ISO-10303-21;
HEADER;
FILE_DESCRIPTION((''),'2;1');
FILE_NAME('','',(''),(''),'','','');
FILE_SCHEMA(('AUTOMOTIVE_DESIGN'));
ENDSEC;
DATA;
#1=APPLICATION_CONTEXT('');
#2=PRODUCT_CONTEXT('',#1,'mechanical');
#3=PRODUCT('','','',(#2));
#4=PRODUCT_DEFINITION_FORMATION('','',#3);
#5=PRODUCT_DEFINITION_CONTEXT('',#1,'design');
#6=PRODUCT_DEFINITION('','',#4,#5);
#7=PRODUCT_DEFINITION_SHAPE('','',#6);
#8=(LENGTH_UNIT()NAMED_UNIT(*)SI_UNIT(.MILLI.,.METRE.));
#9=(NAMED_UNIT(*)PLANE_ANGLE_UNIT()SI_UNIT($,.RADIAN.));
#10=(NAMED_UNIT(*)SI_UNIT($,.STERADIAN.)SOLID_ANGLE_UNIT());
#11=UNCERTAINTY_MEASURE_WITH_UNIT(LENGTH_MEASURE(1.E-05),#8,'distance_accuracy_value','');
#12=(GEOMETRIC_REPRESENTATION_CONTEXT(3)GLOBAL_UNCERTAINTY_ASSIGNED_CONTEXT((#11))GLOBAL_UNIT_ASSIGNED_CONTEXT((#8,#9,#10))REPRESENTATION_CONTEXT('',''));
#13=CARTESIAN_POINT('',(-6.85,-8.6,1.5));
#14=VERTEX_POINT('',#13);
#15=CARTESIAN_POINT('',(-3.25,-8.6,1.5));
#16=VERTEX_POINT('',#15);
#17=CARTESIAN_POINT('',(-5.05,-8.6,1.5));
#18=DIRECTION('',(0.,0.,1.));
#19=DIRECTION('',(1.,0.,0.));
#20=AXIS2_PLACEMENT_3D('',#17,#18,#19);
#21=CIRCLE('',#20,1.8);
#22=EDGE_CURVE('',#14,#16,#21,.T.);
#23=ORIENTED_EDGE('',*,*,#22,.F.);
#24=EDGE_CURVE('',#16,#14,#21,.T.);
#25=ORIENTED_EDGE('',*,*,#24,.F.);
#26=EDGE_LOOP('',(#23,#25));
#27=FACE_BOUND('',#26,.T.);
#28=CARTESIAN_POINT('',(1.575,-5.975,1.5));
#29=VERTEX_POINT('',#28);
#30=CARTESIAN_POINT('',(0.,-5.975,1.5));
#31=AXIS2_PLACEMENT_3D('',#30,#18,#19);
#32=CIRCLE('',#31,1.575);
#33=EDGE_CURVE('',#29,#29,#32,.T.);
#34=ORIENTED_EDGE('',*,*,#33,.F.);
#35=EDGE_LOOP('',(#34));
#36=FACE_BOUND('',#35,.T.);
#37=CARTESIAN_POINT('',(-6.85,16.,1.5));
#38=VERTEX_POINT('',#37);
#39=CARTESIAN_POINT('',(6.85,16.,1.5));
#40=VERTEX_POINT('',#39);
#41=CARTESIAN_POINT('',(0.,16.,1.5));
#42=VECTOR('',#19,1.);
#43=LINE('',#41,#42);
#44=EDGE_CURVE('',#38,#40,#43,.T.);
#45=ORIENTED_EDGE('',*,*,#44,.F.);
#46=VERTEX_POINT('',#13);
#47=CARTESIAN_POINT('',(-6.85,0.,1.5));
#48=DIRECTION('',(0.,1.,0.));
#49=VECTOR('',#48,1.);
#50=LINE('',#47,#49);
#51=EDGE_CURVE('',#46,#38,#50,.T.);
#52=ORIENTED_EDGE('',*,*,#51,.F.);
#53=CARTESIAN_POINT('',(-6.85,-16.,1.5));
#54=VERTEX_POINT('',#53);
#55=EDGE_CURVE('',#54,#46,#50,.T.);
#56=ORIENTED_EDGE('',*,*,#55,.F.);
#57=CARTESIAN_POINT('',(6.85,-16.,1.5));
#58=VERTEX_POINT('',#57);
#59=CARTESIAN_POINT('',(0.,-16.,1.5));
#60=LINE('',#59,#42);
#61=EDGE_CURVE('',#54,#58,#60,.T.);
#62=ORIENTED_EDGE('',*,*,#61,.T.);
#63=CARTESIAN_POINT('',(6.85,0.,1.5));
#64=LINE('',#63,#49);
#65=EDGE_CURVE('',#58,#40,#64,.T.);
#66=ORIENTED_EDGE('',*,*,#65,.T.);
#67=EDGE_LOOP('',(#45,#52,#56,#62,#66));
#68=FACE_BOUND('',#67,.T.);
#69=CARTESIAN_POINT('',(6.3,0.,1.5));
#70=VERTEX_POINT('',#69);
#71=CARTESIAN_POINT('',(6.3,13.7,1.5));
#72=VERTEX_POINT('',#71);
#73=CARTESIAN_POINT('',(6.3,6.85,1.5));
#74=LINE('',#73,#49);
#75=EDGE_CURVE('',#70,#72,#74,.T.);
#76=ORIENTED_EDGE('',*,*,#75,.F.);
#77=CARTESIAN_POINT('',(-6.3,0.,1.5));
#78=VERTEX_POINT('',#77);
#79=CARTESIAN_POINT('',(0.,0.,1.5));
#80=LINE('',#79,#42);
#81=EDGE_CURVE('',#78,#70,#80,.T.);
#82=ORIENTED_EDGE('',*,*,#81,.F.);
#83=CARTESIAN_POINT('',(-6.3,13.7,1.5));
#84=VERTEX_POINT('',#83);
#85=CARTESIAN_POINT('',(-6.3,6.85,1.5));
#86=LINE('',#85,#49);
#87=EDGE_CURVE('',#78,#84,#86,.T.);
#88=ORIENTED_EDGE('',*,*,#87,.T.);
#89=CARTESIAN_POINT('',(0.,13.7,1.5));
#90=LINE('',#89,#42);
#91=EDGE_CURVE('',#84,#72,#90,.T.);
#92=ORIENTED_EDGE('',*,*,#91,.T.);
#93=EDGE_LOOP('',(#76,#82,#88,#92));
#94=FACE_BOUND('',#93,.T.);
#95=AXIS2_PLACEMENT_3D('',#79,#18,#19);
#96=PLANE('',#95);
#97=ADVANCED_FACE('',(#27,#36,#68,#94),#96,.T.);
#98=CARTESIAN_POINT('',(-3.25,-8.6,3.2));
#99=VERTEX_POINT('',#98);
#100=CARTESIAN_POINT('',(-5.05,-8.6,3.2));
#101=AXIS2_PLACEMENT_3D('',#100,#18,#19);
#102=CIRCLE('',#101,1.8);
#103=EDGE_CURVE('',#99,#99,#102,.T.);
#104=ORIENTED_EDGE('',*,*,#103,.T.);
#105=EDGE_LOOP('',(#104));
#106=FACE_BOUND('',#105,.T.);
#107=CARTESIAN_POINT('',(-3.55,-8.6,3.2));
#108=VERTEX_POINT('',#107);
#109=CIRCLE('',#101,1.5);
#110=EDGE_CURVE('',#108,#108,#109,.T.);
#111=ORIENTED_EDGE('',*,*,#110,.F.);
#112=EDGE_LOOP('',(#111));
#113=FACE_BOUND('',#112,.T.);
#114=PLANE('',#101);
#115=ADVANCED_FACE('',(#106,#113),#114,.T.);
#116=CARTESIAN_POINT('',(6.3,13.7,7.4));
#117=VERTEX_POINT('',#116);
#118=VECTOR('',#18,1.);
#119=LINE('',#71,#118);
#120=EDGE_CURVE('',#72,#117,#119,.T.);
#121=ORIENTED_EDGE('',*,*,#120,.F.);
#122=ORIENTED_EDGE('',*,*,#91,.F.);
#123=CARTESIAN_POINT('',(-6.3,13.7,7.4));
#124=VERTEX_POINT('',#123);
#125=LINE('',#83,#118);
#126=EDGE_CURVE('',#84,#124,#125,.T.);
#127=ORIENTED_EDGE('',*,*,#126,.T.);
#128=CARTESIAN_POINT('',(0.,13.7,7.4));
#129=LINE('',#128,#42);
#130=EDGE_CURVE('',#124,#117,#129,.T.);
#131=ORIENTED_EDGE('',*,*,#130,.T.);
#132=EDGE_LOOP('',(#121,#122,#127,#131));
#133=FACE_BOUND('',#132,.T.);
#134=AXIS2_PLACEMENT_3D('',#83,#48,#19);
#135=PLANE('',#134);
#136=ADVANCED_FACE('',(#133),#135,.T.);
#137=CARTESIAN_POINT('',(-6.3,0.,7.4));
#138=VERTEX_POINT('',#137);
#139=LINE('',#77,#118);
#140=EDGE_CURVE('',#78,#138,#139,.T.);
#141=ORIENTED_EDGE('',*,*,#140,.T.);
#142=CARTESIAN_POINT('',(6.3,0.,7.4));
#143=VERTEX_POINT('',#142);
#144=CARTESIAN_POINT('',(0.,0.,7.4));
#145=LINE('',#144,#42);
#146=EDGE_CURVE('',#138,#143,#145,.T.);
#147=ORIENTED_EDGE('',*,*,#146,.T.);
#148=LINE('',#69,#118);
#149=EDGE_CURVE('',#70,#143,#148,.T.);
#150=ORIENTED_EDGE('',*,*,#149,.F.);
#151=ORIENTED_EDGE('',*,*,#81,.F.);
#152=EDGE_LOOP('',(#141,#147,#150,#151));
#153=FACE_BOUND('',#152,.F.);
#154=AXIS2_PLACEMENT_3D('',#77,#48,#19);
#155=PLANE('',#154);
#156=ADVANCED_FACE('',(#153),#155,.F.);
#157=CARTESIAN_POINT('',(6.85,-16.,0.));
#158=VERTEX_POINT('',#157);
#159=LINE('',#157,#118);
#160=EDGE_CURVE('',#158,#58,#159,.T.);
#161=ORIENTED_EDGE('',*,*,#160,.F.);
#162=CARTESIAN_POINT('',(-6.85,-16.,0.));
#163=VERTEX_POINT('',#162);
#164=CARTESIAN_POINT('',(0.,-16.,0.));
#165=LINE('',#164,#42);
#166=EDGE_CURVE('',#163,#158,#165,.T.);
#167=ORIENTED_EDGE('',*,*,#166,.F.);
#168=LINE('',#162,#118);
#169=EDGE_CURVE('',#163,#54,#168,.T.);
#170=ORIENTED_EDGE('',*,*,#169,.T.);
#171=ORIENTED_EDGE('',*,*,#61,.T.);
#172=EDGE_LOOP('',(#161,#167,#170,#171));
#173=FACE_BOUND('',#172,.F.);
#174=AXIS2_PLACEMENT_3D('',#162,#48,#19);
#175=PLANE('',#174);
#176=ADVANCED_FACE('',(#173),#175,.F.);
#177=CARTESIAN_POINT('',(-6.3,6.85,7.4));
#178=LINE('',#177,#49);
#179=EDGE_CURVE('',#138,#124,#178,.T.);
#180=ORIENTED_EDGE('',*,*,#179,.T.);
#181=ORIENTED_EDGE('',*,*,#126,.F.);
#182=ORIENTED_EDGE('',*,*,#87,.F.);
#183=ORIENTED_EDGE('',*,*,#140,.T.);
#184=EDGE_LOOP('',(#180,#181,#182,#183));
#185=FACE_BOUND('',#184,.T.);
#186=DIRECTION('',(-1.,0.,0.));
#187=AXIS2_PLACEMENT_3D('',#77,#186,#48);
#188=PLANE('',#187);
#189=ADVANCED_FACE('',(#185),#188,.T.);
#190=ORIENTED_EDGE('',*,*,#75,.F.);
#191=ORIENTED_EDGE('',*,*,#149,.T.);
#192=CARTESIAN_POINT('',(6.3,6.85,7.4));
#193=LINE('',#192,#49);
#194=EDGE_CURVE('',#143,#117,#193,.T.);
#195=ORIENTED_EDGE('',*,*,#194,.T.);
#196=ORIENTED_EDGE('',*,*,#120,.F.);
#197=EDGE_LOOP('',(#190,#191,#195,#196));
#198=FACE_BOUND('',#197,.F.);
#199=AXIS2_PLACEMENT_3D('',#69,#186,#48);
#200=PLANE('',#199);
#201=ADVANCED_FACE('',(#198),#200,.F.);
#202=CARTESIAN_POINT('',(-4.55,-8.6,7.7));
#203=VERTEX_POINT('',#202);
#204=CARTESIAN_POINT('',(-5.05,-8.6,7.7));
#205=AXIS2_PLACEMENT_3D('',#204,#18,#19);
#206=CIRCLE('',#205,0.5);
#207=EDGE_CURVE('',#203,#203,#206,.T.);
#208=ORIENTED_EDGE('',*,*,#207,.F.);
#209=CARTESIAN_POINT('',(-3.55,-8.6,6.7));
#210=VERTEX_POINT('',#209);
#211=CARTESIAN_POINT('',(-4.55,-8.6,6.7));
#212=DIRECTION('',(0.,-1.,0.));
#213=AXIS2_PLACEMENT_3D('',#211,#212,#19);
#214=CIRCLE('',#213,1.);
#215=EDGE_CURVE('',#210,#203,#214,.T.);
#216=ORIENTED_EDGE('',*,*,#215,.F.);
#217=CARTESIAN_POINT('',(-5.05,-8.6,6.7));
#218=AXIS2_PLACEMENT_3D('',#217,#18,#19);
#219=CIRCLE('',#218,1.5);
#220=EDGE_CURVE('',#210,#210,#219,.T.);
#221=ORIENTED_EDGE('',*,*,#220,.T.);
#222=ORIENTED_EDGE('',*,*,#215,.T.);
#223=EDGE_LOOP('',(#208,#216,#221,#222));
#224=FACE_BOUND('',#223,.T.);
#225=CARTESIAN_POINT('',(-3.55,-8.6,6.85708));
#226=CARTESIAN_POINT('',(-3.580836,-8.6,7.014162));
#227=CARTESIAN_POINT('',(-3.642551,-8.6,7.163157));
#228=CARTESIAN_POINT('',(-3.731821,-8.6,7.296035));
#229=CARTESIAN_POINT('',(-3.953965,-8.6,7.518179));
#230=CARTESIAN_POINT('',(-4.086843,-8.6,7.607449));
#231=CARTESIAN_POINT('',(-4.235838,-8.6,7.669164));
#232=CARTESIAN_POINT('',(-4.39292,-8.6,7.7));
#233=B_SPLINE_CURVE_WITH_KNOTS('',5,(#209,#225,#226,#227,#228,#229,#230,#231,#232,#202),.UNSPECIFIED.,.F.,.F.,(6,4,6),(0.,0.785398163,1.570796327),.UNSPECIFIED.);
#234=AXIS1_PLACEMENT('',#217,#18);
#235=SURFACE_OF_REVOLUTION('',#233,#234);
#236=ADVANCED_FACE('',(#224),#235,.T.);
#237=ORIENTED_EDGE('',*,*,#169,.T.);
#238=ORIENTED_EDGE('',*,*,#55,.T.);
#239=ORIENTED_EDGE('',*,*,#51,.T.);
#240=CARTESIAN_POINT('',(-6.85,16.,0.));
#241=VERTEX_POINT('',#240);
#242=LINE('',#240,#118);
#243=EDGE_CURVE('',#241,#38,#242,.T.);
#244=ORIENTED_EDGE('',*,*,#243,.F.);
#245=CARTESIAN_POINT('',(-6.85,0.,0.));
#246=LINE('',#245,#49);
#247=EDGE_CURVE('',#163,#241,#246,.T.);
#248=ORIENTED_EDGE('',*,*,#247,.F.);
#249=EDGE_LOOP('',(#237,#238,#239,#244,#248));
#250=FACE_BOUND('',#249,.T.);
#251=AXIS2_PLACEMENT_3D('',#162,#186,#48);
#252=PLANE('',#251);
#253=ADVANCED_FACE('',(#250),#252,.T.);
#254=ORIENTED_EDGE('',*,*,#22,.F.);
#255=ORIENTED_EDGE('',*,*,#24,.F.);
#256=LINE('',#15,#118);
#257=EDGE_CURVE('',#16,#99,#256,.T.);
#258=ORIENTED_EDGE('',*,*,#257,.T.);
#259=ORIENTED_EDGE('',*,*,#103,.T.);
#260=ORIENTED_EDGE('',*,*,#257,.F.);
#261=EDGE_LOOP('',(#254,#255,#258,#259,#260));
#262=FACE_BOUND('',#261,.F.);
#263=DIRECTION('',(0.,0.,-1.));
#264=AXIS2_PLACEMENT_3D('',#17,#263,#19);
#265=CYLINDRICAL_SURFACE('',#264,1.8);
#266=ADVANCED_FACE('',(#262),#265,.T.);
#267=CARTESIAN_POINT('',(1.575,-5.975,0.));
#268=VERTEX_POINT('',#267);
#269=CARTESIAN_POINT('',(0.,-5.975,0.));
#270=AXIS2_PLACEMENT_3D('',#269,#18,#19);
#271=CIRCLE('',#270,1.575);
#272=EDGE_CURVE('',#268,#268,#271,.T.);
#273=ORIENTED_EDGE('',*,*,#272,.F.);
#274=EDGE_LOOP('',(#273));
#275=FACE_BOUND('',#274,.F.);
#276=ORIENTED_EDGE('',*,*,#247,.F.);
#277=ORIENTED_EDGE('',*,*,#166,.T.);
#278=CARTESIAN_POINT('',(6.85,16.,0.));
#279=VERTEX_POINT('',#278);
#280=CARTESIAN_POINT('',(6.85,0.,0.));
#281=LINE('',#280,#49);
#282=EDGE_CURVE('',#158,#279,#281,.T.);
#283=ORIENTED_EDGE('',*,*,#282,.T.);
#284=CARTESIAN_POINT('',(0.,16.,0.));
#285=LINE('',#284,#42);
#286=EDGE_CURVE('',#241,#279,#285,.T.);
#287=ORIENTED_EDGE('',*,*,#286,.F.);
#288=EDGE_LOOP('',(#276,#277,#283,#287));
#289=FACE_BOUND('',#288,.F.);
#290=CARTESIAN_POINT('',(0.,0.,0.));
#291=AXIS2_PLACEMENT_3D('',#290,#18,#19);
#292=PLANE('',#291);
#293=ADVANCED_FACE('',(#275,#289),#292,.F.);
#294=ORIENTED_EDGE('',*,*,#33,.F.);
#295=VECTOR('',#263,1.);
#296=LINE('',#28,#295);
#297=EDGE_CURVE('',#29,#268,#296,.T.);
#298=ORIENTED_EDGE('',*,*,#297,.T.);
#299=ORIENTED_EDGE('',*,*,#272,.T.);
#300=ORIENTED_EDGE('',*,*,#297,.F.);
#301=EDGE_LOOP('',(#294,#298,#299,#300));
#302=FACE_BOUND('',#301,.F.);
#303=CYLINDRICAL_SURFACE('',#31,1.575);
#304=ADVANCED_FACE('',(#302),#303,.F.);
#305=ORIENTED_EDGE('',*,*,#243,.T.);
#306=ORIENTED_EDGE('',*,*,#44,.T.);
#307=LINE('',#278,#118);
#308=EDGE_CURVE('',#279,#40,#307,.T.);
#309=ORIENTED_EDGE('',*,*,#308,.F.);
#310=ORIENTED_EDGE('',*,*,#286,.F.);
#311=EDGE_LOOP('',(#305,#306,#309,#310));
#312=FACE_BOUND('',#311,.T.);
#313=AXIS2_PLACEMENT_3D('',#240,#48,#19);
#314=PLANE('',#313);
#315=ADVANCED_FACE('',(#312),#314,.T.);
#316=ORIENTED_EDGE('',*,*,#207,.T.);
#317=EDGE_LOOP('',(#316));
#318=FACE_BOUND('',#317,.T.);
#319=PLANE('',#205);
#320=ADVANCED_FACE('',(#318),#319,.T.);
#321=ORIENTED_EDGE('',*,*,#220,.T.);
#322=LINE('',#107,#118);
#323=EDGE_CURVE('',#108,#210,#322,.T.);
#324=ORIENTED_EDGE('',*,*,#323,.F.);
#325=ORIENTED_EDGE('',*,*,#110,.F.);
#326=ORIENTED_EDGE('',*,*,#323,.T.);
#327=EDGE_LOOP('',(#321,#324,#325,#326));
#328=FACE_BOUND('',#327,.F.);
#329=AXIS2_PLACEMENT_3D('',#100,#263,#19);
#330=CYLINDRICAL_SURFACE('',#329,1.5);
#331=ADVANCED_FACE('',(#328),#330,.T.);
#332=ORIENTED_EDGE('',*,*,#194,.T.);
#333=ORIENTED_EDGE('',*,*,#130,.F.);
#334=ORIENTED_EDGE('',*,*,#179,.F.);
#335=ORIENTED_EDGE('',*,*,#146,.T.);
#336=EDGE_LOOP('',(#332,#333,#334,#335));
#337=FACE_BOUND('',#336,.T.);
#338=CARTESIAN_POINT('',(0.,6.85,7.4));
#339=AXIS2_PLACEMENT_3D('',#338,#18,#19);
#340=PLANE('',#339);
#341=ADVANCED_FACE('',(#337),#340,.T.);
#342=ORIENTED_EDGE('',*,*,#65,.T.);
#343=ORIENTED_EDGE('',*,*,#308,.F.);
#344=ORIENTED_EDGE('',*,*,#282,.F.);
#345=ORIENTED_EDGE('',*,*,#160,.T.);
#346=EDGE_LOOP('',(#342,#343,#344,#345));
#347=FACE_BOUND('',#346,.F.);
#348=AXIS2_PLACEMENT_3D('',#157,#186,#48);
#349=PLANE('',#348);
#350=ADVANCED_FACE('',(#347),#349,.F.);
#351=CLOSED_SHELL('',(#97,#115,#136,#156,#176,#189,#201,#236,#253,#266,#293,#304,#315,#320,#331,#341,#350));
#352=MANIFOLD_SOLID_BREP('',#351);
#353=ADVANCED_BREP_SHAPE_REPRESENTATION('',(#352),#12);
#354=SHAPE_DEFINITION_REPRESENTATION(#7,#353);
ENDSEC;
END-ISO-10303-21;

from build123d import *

# Parameters (mm, degrees)
SKETCH1_W           = 13.7
SKETCH1_H           = 32
BOSS_EXTRUDE1_DEPTH = 1.5
SKETCH2_W           = 12.6
SKETCH2_H           = 13.7
BOSS_EXTRUDE2_DEPTH = 5.9
SKETCH3_R           = 1.8
BOSS_EXTRUDE3_DEPTH = 1.7
SKETCH6_R           = 1.5
BOSS_EXTRUDE4_DEPTH = 4.5
FILLET1_R           = 1
SKETCH7_R           = 1.575
CUT_EXTRUDE1_DEPTH  = 2.5


with BuildPart() as part:
    # Sketch1 → Boss-Extrude1 (new body)
    with BuildSketch(Plane.XY):
        Rectangle(SKETCH1_W, SKETCH1_H)
    extrude(amount=BOSS_EXTRUDE1_DEPTH)

    # Sketch2 → Boss-Extrude2 (add)
    with BuildSketch(Plane.XY.offset(1.5)):
        with Locations((0, 6.85)):
            Rectangle(SKETCH2_W, SKETCH2_H)
    extrude(amount=BOSS_EXTRUDE2_DEPTH)

    # Sketch3 → Boss-Extrude3 (add)
    with BuildSketch(Plane.XY.offset(1.5)):
        with Locations((-5.05, -8.6)):
            Circle(SKETCH3_R)
    extrude(amount=BOSS_EXTRUDE3_DEPTH)

    # Sketch6 → Boss-Extrude4 (add)
    with BuildSketch(Plane.XY.offset(3.2)):
        with Locations((-5.05, -8.6)):
            Circle(SKETCH6_R)
    extrude(amount=BOSS_EXTRUDE4_DEPTH)

    # Fillet1
    fillet1_edges = [part.edges().sort_by_distance(p)[0] for p in [
        (-6.55, -8.6, 7.7),
    ]]
    fillet(fillet1_edges, radius=FILLET1_R)

    # Sketch7 → Cut-Extrude1 (cut, through all)
    with BuildSketch(Plane.XY.offset(1.5)):
        with Locations((0, -5.975)):
            Circle(SKETCH7_R)
    extrude(amount=-CUT_EXTRUDE1_DEPTH, mode=Mode.SUBTRACT)


solid = part.part
